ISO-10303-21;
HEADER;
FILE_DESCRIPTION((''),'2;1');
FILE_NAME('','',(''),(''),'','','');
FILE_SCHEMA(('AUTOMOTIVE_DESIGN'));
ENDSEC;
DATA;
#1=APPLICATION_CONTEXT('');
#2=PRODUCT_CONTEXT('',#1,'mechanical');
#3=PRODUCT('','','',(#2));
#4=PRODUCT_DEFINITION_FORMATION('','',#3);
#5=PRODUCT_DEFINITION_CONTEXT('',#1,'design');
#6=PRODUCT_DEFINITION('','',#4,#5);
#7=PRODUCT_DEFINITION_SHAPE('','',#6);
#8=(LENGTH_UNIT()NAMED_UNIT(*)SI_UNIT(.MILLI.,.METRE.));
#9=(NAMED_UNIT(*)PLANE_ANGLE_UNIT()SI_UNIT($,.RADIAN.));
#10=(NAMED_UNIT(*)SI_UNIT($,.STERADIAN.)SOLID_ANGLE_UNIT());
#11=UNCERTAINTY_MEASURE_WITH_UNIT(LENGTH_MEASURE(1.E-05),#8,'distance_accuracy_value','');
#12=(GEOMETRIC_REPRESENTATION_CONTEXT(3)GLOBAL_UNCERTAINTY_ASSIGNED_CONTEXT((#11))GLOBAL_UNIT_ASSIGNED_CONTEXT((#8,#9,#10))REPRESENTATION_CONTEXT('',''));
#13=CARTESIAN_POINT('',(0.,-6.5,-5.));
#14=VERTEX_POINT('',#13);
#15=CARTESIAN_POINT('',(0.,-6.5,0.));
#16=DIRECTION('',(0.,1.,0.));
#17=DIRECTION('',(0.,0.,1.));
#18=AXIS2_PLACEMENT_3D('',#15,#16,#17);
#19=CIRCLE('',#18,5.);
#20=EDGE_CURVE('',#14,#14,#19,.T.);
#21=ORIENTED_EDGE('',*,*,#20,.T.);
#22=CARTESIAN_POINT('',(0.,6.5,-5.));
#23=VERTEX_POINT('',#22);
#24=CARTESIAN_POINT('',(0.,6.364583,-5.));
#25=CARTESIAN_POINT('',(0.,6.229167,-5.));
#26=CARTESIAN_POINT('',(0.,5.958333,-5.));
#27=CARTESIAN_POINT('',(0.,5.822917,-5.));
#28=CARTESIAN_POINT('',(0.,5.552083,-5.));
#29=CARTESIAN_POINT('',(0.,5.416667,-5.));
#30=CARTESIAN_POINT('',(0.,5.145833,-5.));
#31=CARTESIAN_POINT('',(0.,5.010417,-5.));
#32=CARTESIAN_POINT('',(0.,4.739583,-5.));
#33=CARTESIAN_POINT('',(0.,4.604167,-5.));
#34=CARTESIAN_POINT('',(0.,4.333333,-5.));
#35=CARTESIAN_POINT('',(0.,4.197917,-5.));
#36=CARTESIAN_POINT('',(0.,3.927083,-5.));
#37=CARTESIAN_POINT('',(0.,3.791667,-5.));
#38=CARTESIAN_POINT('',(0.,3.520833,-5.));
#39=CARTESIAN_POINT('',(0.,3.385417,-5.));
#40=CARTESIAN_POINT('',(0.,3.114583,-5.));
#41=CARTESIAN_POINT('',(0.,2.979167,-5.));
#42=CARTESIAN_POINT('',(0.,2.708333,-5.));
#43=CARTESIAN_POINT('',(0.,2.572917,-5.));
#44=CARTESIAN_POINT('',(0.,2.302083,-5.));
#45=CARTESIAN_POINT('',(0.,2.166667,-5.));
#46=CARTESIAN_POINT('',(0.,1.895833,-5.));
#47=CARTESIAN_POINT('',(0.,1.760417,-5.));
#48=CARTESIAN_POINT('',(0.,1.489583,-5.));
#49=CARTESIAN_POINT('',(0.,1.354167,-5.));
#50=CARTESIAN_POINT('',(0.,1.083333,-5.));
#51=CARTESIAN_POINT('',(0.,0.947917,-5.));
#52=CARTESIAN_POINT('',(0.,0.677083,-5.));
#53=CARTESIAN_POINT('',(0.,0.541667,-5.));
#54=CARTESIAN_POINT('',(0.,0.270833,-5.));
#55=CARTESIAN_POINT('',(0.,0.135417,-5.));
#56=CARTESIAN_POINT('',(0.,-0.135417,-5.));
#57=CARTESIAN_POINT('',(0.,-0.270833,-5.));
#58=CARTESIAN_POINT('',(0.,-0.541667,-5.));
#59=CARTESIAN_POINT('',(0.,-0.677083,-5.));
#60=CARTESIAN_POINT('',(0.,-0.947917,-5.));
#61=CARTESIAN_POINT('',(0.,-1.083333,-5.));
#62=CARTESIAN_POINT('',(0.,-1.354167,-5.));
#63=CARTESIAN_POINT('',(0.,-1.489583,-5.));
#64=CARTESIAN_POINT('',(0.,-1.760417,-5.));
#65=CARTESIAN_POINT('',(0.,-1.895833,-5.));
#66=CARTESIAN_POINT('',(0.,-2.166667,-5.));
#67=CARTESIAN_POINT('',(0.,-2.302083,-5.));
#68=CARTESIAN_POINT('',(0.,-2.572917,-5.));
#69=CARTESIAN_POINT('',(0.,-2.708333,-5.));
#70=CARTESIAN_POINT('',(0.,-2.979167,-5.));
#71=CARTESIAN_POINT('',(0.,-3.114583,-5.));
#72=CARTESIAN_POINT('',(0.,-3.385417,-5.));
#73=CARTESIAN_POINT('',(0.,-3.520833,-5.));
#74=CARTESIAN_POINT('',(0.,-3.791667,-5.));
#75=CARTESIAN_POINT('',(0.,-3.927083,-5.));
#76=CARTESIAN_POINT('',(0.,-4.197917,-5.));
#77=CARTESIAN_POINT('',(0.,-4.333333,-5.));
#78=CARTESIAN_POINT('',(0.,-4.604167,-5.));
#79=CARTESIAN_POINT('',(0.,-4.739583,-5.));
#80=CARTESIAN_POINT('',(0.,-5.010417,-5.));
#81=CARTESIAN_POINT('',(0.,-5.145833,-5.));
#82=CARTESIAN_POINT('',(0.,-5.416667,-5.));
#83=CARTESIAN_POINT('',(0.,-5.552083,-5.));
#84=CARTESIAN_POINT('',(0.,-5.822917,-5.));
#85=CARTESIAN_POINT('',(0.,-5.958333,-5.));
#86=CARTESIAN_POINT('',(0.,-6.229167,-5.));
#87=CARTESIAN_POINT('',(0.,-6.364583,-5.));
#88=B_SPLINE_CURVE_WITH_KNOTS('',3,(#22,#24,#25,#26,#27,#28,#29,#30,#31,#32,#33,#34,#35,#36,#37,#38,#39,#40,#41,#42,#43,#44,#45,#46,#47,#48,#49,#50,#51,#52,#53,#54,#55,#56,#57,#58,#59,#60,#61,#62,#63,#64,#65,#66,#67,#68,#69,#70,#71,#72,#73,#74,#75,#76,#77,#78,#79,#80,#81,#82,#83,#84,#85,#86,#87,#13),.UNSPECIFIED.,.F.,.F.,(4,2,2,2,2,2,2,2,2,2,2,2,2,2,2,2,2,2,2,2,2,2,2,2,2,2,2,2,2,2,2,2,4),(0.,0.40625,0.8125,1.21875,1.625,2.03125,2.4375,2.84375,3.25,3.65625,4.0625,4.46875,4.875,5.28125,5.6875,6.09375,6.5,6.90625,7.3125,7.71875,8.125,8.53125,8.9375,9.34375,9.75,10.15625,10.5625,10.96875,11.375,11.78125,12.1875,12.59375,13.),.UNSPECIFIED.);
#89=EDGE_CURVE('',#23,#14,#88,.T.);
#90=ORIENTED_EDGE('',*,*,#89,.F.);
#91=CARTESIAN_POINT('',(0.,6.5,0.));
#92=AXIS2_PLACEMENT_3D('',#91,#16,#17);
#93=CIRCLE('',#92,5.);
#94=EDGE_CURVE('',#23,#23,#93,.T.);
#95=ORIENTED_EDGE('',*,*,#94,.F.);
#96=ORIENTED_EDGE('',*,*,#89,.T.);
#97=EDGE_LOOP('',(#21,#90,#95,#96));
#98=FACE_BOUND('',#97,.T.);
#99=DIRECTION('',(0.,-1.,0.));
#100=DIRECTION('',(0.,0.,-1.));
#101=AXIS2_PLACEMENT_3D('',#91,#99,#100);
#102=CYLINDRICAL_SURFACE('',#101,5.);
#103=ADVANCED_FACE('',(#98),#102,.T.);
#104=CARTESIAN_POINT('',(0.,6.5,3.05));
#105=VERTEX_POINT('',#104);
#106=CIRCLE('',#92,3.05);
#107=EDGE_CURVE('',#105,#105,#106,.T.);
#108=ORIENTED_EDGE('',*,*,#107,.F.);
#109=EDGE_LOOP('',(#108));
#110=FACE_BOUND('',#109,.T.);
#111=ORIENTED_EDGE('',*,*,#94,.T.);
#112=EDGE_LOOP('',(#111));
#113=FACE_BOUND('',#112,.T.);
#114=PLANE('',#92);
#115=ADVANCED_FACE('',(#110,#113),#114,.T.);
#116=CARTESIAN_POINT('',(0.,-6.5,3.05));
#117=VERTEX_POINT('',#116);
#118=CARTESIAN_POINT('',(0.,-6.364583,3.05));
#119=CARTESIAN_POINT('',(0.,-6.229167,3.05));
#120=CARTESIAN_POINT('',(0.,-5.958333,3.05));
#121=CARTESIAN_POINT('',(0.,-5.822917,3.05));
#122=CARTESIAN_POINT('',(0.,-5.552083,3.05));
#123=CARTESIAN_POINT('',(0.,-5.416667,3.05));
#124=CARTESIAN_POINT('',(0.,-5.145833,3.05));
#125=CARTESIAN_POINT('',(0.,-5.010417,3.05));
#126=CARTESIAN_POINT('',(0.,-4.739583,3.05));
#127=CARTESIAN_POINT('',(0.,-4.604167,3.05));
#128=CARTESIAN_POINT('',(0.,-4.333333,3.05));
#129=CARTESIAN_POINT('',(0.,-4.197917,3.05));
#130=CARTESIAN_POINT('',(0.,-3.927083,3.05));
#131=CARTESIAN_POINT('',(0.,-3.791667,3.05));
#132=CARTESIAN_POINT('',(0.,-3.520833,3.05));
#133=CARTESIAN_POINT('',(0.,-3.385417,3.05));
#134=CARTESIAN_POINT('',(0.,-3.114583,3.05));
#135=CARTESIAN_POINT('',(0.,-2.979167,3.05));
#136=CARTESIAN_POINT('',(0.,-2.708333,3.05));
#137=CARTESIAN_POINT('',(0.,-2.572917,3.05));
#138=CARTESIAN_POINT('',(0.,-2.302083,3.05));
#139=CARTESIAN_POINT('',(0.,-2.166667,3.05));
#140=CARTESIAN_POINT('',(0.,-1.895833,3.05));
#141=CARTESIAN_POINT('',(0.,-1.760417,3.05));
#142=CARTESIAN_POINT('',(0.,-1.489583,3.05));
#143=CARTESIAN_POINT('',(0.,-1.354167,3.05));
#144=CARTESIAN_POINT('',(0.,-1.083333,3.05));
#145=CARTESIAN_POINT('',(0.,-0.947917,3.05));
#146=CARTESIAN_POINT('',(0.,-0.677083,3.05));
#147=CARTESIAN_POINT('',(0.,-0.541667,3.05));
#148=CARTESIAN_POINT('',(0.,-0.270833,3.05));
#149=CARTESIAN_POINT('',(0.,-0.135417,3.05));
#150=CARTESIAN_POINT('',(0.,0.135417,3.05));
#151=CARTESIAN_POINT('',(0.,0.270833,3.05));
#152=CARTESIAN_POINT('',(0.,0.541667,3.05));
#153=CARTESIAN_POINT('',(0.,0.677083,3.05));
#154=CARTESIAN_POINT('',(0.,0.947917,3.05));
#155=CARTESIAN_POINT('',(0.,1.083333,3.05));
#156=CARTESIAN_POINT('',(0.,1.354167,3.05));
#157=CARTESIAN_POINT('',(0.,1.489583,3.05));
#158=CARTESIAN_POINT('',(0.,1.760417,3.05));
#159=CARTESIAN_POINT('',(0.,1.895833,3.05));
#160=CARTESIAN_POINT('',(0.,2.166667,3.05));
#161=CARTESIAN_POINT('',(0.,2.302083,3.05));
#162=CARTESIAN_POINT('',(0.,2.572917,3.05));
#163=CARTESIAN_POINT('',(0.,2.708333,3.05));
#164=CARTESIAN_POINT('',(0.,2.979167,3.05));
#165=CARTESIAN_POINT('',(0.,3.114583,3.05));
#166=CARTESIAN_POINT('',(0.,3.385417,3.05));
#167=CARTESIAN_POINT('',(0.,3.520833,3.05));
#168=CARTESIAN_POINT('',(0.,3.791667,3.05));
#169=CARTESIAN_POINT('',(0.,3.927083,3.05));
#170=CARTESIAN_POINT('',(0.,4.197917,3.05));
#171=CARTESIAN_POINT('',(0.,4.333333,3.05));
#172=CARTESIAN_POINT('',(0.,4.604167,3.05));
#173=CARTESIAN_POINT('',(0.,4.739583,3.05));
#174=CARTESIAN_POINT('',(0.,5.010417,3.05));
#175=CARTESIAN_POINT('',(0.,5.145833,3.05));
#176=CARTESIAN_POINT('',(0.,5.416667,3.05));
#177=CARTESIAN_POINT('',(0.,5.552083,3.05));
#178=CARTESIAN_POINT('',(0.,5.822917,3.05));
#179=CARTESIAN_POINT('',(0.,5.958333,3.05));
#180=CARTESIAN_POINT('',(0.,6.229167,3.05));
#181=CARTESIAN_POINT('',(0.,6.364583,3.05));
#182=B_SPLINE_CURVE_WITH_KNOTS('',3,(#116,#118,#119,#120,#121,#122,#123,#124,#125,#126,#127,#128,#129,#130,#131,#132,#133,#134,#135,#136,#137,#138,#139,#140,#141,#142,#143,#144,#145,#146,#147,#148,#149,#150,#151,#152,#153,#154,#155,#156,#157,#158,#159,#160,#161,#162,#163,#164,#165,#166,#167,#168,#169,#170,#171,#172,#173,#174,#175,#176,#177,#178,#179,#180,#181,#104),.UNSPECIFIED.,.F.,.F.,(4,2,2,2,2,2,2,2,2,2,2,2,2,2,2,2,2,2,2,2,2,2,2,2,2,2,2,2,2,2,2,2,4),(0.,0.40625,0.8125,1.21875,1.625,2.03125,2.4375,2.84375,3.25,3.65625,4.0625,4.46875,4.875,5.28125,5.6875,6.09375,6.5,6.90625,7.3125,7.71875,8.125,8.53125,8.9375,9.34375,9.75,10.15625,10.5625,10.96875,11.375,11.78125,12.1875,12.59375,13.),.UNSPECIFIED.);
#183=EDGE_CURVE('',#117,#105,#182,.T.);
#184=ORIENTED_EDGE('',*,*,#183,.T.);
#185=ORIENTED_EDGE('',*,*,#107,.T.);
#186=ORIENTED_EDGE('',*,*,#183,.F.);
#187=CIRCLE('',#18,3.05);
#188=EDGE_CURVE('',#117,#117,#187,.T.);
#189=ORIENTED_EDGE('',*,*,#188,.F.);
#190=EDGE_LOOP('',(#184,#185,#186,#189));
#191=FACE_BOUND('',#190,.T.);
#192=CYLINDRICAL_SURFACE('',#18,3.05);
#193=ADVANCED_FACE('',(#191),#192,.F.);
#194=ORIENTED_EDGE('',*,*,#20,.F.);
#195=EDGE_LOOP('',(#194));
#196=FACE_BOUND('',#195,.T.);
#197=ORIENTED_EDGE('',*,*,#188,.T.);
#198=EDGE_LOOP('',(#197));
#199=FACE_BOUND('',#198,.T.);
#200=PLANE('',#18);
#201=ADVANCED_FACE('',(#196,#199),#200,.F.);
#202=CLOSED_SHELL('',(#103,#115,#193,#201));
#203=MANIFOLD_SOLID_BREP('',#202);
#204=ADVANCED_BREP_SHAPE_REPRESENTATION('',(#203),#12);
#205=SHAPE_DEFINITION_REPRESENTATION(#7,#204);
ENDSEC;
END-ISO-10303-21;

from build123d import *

# Parameters (mm, degrees)
SKETCH1_R           = 5
BOSS_EXTRUDE1_DEPTH = 6.5
SKETCH2_R           = 3.05
CUT_EXTRUDE1_DEPTH  = 15.798648587


with BuildPart() as part:
    # Sketch1 → Boss-Extrude1 (new, symmetric)
    with BuildSketch(Plane(origin=(0, 0, 0), x_dir=(1, 0, 0), z_dir=(0, 1, 0))):
        with Locations(Location((0, 0, 0), (0, 0, 90))):
            Circle(SKETCH1_R)
    extrude(amount=BOSS_EXTRUDE1_DEPTH, both=True)

    # Sketch2 → Cut-Extrude1 (cut, through all)
    with BuildSketch(Plane(origin=(0, 6.5, 0), x_dir=(1, 0, 0), z_dir=(0, 1, 0))):
        with Locations(Location((0, 0, 0), (0, 0, 270))):
            Circle(SKETCH2_R)
    extrude(amount=-CUT_EXTRUDE1_DEPTH, mode=Mode.SUBTRACT)


solid = part.part
